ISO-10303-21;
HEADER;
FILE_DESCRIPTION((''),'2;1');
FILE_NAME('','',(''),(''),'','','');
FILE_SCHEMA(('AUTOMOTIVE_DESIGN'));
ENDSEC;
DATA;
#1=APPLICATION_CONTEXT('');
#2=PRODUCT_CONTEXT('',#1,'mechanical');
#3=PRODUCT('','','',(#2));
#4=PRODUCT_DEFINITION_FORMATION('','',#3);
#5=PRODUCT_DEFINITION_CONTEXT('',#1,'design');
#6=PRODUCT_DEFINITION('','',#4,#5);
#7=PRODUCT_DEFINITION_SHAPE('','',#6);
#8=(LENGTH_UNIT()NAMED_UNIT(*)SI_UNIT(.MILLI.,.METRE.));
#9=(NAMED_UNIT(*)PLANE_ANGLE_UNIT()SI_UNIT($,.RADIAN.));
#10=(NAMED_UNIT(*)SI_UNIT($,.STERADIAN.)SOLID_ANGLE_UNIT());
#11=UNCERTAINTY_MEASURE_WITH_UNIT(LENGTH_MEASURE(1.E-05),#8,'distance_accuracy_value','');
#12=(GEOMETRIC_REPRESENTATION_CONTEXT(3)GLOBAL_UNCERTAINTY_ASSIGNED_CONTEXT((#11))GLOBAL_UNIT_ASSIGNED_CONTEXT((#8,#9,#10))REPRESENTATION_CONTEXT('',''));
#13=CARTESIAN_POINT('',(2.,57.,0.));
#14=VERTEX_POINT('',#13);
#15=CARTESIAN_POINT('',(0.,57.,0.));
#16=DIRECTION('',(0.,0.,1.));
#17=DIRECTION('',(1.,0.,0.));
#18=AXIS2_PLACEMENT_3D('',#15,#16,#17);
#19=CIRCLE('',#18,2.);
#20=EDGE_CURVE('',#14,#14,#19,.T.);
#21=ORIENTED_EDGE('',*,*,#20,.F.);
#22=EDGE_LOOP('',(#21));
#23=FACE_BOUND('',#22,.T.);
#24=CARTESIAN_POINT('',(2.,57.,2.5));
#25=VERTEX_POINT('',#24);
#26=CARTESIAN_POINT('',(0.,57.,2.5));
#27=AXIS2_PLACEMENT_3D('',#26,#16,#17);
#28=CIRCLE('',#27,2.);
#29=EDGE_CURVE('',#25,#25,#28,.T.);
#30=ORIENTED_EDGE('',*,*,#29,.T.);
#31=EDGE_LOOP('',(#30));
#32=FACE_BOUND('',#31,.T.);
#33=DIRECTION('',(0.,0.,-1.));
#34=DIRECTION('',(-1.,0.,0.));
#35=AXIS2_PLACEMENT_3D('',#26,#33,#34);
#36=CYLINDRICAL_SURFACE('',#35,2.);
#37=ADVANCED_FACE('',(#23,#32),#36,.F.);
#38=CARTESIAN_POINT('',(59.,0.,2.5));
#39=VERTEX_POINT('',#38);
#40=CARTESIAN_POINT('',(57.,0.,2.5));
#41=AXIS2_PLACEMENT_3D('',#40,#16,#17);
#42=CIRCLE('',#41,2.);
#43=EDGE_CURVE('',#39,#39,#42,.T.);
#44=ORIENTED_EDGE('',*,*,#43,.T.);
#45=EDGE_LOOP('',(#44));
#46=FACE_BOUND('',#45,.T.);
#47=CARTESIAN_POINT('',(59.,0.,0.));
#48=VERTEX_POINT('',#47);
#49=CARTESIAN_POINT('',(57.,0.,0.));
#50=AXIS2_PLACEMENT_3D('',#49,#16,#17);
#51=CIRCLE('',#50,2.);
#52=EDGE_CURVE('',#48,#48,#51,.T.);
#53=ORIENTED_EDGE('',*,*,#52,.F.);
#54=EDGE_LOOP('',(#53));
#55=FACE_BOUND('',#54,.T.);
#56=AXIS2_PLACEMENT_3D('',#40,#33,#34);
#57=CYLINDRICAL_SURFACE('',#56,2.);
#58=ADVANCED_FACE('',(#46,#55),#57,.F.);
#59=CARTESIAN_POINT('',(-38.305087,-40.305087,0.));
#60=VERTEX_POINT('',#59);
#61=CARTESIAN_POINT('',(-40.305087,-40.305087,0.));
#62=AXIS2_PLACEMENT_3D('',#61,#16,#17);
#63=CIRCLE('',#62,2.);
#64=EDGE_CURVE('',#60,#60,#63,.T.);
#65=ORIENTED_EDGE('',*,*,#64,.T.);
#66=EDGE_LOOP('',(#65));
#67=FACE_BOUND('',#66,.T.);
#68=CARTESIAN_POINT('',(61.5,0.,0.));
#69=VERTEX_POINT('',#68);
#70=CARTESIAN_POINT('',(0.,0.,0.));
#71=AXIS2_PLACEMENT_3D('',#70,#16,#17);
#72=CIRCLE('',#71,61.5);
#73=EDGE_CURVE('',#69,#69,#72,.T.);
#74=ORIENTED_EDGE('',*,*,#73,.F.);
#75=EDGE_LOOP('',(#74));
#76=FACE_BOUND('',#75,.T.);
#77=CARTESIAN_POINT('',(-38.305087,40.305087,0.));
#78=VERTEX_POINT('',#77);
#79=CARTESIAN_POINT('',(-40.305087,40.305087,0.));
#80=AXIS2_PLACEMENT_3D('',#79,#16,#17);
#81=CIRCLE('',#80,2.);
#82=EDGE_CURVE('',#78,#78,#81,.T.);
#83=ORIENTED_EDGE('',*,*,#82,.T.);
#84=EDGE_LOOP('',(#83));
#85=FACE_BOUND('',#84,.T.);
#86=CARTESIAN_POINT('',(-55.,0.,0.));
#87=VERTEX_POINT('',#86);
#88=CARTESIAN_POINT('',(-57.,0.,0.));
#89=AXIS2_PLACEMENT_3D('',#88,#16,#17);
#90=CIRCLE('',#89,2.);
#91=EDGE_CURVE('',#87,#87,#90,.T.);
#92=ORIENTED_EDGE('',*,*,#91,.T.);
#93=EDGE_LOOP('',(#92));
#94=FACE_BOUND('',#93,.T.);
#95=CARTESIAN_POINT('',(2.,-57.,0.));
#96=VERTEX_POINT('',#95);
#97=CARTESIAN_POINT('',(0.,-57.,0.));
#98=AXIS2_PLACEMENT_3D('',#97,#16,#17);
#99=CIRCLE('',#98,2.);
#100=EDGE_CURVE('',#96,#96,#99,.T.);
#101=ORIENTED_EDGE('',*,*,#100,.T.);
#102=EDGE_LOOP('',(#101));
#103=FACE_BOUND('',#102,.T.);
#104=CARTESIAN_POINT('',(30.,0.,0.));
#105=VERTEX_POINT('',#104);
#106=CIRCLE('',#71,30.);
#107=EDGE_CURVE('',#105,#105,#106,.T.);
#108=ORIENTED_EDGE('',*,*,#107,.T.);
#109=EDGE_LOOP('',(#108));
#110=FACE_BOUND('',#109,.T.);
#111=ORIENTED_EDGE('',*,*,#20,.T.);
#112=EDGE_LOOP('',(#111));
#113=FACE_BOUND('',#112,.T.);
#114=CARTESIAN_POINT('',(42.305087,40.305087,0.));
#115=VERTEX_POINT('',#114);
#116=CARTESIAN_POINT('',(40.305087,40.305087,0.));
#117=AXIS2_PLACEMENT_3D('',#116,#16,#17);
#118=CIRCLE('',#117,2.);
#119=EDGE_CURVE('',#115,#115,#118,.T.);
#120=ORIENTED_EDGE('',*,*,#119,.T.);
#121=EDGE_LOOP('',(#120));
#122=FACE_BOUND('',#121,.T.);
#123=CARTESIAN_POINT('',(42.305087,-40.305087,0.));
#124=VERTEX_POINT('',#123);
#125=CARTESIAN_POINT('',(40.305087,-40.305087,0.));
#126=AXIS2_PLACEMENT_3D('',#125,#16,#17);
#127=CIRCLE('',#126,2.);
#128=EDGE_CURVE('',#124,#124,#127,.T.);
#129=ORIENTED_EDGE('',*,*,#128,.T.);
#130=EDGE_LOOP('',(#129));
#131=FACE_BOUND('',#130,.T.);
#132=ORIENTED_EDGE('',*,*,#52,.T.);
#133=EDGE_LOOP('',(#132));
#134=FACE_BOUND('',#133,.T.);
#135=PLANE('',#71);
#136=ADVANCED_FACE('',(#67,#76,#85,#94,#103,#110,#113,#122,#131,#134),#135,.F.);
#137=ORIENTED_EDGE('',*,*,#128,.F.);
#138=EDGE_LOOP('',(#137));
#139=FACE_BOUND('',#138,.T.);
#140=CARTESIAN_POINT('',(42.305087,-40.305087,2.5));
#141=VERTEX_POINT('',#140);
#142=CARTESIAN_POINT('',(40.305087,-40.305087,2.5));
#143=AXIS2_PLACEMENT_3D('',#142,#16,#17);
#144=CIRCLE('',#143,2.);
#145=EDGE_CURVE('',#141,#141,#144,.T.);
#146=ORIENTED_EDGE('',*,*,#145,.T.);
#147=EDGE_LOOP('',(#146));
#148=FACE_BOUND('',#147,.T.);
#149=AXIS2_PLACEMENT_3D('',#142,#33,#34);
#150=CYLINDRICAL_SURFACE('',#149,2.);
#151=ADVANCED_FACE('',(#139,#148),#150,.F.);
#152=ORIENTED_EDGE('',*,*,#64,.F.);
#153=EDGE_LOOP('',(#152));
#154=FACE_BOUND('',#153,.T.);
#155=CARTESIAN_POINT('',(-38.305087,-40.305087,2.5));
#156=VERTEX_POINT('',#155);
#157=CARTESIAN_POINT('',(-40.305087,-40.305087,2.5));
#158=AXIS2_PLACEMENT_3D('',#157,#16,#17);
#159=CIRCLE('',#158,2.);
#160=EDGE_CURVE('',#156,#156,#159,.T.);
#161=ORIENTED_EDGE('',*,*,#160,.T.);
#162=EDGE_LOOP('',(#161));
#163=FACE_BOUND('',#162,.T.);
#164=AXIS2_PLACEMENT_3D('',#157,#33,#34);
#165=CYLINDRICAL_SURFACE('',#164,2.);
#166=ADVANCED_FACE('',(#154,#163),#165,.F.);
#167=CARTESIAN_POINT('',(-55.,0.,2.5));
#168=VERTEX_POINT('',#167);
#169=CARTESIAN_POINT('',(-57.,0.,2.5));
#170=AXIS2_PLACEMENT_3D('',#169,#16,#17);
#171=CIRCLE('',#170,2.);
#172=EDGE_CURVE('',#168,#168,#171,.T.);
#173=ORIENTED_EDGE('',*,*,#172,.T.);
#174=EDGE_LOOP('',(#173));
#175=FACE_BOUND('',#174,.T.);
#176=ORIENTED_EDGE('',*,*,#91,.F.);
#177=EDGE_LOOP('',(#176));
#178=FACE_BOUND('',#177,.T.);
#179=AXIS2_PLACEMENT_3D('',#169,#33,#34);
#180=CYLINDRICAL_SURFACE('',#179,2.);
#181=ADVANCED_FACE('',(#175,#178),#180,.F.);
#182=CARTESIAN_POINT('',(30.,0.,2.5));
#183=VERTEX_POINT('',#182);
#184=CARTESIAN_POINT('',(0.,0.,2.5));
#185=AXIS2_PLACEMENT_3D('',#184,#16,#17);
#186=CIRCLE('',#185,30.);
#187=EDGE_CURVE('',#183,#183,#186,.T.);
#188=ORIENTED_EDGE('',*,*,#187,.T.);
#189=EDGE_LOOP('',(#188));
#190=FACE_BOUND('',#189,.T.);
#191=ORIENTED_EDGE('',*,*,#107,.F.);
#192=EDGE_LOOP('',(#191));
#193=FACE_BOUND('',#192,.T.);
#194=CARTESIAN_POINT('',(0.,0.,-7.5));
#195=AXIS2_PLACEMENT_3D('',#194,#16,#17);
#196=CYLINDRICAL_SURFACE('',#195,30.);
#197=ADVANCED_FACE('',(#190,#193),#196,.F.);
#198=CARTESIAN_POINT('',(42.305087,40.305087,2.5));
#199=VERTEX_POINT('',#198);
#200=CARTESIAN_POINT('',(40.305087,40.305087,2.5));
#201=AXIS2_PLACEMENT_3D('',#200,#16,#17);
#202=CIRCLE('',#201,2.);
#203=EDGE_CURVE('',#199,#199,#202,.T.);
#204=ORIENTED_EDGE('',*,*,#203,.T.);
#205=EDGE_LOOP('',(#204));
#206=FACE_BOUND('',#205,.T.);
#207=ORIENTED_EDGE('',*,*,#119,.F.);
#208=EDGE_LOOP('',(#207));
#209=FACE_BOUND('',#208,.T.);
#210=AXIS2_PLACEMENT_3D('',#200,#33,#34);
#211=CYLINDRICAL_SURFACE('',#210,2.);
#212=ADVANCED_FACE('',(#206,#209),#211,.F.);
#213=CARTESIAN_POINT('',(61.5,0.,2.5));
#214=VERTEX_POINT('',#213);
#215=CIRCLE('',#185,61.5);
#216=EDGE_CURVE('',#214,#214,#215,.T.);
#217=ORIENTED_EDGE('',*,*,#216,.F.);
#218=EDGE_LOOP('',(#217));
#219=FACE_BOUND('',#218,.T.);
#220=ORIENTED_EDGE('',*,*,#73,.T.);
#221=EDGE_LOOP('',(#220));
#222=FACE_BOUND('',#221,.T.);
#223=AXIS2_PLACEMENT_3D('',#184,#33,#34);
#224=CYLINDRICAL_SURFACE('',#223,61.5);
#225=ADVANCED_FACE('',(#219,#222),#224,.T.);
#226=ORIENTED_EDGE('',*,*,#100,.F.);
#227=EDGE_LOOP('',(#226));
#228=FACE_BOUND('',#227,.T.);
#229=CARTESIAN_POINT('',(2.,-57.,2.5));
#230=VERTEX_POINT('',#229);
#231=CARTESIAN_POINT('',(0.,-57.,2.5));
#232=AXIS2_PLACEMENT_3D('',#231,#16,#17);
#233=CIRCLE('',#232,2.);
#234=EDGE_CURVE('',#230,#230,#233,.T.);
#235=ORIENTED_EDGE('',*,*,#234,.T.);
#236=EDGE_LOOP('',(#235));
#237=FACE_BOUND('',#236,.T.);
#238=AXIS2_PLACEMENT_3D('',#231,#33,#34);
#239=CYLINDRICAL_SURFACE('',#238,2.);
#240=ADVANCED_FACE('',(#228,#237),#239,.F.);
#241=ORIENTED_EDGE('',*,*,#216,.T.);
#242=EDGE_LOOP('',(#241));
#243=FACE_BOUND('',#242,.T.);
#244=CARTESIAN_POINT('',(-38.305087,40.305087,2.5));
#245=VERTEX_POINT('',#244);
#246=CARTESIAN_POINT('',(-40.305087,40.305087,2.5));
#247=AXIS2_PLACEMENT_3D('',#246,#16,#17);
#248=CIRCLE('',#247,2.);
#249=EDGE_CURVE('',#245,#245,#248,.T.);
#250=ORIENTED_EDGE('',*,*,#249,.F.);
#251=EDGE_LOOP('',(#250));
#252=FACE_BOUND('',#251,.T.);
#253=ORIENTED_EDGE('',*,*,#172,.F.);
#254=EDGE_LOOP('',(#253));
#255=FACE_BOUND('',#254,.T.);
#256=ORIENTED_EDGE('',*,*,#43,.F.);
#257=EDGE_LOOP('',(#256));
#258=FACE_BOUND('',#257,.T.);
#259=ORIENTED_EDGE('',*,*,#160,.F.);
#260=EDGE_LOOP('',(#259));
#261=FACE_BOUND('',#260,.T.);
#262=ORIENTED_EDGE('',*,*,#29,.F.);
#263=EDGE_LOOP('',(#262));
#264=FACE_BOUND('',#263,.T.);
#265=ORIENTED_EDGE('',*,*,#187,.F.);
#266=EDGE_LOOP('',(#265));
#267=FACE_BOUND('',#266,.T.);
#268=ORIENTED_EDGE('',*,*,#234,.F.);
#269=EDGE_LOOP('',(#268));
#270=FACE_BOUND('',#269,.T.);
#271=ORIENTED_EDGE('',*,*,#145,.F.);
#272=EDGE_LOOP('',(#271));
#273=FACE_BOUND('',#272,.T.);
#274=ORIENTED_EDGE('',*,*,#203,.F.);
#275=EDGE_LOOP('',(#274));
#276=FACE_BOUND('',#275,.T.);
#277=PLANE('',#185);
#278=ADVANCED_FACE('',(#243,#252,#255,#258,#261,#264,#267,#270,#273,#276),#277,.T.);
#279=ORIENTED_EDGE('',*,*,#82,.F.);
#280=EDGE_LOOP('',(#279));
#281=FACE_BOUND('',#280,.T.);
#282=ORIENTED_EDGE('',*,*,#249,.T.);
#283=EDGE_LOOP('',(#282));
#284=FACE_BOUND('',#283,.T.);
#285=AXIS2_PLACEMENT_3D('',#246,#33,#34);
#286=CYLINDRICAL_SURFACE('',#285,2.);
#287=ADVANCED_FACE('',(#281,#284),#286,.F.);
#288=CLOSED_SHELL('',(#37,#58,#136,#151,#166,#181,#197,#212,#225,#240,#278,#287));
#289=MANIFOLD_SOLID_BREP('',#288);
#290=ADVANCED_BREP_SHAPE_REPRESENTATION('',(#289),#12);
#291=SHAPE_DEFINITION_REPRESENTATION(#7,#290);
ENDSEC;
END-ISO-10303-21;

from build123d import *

# Parameters (mm, degrees)
SKETCH_1_R          = 61.5
SKETCH_1_R_2        = 2
SKETCH_1_R_3        = 2.6
SKETCH_1_R_4        = 15.5
EXTRUDE_1_DEPTH     = 2.5
SKETCH_2_R          = 30
CUT_EXTRUDE_1_DEPTH = 10


with BuildPart() as part:
    # 草图1 → 凸台-拉伸1 (new body)
    with BuildSketch(Plane.XY):
        Circle(SKETCH_1_R)
        with Locations((0, -57)):
            Circle(SKETCH_1_R_2, mode=Mode.SUBTRACT)
        with Locations((-40.305086528, -40.305086528)):
            Circle(SKETCH_1_R_2, mode=Mode.SUBTRACT)
        with Locations((-57, 0)):
            Circle(SKETCH_1_R_2, mode=Mode.SUBTRACT)
        with Locations((-40.305086528, 40.305086528)):
            Circle(SKETCH_1_R_2, mode=Mode.SUBTRACT)
        with Locations((0, -23.75)):
            Circle(SKETCH_1_R_3, mode=Mode.SUBTRACT)
        with Locations((-20.56810334, 11.875)):
            Circle(SKETCH_1_R_3, mode=Mode.SUBTRACT)
        with Locations((20.56810334, 11.875)):
            Circle(SKETCH_1_R_3, mode=Mode.SUBTRACT)
        with Locations((19.485571585, -11.25)):
            Circle(SKETCH_1_R_3, mode=Mode.SUBTRACT)
        with Locations((-19.485571585, -11.25)):
            Circle(SKETCH_1_R_3, mode=Mode.SUBTRACT)
        with Locations((0, 22.5)):
            Circle(SKETCH_1_R_3, mode=Mode.SUBTRACT)
        Circle(SKETCH_1_R_4, mode=Mode.SUBTRACT)
        with Locations((0, 57)):
            Circle(SKETCH_1_R_2, mode=Mode.SUBTRACT)
        with Locations((40.305086528, 40.305086528)):
            Circle(SKETCH_1_R_2, mode=Mode.SUBTRACT)
        with Locations((57, 0)):
            Circle(SKETCH_1_R_2, mode=Mode.SUBTRACT)
        with Locations((40.305086528, -40.305086528)):
            Circle(SKETCH_1_R_2, mode=Mode.SUBTRACT)
    extrude(amount=EXTRUDE_1_DEPTH)

    # 草图2 → 切除-拉伸1 (cut)
    with BuildSketch(Plane.XY.offset(2.5)):
        Circle(SKETCH_2_R)
    extrude(amount=-CUT_EXTRUDE_1_DEPTH, mode=Mode.SUBTRACT)


solid = part.part
